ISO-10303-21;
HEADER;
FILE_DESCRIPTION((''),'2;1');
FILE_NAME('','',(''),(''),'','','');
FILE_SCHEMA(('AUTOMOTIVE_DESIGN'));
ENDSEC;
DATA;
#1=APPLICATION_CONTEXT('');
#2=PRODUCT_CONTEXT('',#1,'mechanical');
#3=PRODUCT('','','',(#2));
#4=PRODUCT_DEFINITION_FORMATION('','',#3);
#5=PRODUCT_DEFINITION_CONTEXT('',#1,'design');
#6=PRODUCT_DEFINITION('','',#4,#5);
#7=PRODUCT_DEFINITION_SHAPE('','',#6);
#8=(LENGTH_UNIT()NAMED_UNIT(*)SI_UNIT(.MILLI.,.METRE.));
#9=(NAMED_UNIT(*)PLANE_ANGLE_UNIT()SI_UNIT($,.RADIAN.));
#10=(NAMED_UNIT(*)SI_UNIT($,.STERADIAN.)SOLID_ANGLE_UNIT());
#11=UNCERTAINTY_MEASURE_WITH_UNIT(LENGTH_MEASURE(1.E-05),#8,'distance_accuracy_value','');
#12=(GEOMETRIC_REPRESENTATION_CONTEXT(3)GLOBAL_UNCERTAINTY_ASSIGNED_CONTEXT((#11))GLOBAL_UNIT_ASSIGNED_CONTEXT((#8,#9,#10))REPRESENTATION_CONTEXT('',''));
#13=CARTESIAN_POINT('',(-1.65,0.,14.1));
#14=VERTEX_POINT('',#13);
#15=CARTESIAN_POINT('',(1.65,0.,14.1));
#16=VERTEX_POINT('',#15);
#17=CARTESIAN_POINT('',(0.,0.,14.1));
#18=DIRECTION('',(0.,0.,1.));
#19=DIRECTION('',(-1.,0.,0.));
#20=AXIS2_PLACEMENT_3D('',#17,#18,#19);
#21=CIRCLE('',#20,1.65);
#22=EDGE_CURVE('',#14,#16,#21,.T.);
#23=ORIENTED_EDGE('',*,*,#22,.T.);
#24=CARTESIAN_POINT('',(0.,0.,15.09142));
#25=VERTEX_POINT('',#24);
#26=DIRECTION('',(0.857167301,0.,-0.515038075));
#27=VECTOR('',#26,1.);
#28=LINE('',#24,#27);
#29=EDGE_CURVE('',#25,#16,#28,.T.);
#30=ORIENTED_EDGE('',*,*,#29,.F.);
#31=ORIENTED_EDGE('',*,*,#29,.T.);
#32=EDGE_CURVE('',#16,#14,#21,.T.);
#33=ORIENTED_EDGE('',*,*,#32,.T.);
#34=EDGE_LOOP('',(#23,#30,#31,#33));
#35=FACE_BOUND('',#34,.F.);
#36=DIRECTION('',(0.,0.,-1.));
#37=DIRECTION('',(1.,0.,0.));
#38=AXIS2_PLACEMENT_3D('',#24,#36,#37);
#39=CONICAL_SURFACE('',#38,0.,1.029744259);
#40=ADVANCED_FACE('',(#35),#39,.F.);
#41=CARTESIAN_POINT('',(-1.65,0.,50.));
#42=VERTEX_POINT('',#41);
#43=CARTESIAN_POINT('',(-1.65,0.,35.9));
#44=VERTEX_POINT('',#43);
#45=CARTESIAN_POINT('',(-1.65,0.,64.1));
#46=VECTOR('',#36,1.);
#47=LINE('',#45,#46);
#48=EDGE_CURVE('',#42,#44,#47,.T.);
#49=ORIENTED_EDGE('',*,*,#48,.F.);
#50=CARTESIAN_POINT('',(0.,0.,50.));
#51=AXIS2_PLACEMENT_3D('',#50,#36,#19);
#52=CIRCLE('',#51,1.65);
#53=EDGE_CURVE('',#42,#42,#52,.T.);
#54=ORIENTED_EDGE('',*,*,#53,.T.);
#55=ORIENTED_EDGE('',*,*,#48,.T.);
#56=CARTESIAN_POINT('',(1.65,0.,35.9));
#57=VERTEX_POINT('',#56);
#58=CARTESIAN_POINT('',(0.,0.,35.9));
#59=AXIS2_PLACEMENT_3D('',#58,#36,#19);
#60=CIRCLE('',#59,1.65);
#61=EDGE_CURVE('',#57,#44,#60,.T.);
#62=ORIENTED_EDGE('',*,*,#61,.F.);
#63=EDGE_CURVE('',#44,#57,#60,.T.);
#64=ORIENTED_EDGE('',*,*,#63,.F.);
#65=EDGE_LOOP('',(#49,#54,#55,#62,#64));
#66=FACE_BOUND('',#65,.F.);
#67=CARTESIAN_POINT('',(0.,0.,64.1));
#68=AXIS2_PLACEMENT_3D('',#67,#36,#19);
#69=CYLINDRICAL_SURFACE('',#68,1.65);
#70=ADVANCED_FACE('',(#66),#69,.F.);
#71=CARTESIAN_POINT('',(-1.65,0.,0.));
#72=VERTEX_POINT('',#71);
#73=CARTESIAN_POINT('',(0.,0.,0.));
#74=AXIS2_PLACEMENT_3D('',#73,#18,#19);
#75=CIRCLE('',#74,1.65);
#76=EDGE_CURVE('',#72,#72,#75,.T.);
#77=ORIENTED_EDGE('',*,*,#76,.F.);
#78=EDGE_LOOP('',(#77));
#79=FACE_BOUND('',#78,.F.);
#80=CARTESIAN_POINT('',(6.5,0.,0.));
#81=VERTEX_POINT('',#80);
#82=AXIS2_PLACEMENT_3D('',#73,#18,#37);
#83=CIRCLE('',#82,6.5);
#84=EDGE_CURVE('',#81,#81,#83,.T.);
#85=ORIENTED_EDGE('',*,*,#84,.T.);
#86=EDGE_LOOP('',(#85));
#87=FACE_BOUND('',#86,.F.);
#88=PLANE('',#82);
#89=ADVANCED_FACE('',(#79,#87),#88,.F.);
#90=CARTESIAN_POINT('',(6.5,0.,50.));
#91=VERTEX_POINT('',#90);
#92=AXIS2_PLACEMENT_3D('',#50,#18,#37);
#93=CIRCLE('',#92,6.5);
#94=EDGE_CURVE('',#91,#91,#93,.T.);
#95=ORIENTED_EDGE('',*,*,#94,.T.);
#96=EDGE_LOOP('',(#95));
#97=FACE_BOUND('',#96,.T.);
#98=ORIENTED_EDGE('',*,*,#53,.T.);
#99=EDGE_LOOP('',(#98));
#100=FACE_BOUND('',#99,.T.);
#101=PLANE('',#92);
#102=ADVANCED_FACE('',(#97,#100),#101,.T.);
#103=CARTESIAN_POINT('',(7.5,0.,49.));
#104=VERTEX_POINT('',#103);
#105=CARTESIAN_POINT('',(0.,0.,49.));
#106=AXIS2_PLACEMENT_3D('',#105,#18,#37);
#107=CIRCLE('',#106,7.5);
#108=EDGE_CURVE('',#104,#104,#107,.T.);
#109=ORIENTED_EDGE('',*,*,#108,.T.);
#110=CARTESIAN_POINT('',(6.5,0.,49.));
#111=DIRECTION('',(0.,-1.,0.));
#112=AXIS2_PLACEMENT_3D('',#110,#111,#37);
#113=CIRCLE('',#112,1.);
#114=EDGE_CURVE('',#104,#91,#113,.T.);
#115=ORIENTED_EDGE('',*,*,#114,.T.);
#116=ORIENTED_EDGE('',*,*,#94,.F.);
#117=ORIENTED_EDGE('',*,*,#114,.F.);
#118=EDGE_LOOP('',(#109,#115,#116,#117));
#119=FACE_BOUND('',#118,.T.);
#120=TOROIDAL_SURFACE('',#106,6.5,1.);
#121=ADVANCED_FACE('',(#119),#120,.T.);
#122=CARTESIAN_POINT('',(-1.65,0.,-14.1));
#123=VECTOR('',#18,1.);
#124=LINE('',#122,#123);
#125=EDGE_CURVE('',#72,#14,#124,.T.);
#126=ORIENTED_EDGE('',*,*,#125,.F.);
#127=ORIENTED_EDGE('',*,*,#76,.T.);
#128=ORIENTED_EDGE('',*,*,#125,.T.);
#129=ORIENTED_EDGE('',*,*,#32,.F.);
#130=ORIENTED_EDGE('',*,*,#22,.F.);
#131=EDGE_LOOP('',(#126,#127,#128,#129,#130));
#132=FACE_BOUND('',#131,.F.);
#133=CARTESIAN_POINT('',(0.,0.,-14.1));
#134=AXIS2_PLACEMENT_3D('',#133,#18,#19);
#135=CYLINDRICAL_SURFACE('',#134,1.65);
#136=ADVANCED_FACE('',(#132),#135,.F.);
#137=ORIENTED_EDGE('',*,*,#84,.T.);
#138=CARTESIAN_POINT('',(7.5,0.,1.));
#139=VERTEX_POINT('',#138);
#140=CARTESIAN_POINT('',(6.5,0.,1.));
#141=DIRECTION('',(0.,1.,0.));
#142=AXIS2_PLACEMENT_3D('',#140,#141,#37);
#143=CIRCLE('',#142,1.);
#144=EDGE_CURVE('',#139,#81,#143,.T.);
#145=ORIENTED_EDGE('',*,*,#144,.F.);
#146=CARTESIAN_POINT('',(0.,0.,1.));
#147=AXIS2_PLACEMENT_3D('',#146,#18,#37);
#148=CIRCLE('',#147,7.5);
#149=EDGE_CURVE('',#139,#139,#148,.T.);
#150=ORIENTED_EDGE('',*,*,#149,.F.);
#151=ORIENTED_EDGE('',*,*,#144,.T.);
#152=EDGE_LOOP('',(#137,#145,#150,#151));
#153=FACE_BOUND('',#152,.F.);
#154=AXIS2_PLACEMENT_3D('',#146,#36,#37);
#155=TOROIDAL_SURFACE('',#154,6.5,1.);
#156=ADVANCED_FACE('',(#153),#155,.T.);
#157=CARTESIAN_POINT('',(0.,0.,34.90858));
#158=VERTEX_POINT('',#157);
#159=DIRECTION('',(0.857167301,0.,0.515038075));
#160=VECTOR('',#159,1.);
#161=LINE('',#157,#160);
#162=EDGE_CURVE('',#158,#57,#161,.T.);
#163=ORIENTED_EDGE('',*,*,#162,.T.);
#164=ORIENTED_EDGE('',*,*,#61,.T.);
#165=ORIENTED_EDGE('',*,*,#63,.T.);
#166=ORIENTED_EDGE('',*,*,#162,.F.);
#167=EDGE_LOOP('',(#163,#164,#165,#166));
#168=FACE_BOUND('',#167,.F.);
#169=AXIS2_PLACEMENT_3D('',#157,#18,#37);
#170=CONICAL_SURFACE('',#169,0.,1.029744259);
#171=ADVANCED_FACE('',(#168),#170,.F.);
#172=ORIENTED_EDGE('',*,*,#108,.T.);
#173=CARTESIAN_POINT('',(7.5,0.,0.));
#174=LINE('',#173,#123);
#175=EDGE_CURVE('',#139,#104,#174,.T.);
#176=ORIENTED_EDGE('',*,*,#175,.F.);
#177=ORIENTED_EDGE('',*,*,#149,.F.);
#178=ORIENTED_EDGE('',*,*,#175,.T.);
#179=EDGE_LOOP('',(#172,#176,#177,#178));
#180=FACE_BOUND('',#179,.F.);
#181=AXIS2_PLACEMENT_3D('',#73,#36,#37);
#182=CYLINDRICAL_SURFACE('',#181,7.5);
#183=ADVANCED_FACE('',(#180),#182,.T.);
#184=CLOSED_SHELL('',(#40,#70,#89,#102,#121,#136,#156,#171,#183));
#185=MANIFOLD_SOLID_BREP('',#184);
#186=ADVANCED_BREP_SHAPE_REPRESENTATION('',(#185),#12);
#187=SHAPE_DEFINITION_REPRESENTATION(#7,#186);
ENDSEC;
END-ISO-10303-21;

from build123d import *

# Parameters (mm, degrees)
F0_R     = 7.5
F1_DEPTH = 50
F2_R     = 1
F4_D     = 3.3
F4_DEPTH = 14.1
F4_TIP   = 0.9914200214
F6_D     = 3.3
F6_DEPTH = 14.1
F6_TIP   = 0.9914200214


with BuildPart() as f1:
    # F0 (on Top) → F1 (new body)
    with BuildSketch(Plane.XY):
        Circle(F0_R)
    extrude(amount=F1_DEPTH)

    # F2
    f2_edges = [f1.edges().sort_by_distance(p)[0] for p in [
        (-7.5, 0, 50),
        (-7.5, 0, 0),
    ]]
    fillet(f2_edges, radius=F2_R)

    # F4
    with Locations(Plane.XY.offset(50)):
        with Locations((0, 0)):
            Hole(F4_D / 2, depth=F4_DEPTH)
            with Locations((0, 0, -(F4_DEPTH + F4_TIP / 2))):  # 118° drill point
                Cone(0, F4_D / 2, F4_TIP, mode=Mode.SUBTRACT)

    # F6
    with Locations(Plane(origin=(0, 0, 0), x_dir=(1, 0, 0), z_dir=(0, 0, -1))):
        with Locations((0, 0)):
            Hole(F6_D / 2, depth=F6_DEPTH)
            with Locations((0, 0, -(F6_DEPTH + F6_TIP / 2))):  # 118° drill point
                Cone(0, F6_D / 2, F6_TIP, mode=Mode.SUBTRACT)


solid = f1.part
